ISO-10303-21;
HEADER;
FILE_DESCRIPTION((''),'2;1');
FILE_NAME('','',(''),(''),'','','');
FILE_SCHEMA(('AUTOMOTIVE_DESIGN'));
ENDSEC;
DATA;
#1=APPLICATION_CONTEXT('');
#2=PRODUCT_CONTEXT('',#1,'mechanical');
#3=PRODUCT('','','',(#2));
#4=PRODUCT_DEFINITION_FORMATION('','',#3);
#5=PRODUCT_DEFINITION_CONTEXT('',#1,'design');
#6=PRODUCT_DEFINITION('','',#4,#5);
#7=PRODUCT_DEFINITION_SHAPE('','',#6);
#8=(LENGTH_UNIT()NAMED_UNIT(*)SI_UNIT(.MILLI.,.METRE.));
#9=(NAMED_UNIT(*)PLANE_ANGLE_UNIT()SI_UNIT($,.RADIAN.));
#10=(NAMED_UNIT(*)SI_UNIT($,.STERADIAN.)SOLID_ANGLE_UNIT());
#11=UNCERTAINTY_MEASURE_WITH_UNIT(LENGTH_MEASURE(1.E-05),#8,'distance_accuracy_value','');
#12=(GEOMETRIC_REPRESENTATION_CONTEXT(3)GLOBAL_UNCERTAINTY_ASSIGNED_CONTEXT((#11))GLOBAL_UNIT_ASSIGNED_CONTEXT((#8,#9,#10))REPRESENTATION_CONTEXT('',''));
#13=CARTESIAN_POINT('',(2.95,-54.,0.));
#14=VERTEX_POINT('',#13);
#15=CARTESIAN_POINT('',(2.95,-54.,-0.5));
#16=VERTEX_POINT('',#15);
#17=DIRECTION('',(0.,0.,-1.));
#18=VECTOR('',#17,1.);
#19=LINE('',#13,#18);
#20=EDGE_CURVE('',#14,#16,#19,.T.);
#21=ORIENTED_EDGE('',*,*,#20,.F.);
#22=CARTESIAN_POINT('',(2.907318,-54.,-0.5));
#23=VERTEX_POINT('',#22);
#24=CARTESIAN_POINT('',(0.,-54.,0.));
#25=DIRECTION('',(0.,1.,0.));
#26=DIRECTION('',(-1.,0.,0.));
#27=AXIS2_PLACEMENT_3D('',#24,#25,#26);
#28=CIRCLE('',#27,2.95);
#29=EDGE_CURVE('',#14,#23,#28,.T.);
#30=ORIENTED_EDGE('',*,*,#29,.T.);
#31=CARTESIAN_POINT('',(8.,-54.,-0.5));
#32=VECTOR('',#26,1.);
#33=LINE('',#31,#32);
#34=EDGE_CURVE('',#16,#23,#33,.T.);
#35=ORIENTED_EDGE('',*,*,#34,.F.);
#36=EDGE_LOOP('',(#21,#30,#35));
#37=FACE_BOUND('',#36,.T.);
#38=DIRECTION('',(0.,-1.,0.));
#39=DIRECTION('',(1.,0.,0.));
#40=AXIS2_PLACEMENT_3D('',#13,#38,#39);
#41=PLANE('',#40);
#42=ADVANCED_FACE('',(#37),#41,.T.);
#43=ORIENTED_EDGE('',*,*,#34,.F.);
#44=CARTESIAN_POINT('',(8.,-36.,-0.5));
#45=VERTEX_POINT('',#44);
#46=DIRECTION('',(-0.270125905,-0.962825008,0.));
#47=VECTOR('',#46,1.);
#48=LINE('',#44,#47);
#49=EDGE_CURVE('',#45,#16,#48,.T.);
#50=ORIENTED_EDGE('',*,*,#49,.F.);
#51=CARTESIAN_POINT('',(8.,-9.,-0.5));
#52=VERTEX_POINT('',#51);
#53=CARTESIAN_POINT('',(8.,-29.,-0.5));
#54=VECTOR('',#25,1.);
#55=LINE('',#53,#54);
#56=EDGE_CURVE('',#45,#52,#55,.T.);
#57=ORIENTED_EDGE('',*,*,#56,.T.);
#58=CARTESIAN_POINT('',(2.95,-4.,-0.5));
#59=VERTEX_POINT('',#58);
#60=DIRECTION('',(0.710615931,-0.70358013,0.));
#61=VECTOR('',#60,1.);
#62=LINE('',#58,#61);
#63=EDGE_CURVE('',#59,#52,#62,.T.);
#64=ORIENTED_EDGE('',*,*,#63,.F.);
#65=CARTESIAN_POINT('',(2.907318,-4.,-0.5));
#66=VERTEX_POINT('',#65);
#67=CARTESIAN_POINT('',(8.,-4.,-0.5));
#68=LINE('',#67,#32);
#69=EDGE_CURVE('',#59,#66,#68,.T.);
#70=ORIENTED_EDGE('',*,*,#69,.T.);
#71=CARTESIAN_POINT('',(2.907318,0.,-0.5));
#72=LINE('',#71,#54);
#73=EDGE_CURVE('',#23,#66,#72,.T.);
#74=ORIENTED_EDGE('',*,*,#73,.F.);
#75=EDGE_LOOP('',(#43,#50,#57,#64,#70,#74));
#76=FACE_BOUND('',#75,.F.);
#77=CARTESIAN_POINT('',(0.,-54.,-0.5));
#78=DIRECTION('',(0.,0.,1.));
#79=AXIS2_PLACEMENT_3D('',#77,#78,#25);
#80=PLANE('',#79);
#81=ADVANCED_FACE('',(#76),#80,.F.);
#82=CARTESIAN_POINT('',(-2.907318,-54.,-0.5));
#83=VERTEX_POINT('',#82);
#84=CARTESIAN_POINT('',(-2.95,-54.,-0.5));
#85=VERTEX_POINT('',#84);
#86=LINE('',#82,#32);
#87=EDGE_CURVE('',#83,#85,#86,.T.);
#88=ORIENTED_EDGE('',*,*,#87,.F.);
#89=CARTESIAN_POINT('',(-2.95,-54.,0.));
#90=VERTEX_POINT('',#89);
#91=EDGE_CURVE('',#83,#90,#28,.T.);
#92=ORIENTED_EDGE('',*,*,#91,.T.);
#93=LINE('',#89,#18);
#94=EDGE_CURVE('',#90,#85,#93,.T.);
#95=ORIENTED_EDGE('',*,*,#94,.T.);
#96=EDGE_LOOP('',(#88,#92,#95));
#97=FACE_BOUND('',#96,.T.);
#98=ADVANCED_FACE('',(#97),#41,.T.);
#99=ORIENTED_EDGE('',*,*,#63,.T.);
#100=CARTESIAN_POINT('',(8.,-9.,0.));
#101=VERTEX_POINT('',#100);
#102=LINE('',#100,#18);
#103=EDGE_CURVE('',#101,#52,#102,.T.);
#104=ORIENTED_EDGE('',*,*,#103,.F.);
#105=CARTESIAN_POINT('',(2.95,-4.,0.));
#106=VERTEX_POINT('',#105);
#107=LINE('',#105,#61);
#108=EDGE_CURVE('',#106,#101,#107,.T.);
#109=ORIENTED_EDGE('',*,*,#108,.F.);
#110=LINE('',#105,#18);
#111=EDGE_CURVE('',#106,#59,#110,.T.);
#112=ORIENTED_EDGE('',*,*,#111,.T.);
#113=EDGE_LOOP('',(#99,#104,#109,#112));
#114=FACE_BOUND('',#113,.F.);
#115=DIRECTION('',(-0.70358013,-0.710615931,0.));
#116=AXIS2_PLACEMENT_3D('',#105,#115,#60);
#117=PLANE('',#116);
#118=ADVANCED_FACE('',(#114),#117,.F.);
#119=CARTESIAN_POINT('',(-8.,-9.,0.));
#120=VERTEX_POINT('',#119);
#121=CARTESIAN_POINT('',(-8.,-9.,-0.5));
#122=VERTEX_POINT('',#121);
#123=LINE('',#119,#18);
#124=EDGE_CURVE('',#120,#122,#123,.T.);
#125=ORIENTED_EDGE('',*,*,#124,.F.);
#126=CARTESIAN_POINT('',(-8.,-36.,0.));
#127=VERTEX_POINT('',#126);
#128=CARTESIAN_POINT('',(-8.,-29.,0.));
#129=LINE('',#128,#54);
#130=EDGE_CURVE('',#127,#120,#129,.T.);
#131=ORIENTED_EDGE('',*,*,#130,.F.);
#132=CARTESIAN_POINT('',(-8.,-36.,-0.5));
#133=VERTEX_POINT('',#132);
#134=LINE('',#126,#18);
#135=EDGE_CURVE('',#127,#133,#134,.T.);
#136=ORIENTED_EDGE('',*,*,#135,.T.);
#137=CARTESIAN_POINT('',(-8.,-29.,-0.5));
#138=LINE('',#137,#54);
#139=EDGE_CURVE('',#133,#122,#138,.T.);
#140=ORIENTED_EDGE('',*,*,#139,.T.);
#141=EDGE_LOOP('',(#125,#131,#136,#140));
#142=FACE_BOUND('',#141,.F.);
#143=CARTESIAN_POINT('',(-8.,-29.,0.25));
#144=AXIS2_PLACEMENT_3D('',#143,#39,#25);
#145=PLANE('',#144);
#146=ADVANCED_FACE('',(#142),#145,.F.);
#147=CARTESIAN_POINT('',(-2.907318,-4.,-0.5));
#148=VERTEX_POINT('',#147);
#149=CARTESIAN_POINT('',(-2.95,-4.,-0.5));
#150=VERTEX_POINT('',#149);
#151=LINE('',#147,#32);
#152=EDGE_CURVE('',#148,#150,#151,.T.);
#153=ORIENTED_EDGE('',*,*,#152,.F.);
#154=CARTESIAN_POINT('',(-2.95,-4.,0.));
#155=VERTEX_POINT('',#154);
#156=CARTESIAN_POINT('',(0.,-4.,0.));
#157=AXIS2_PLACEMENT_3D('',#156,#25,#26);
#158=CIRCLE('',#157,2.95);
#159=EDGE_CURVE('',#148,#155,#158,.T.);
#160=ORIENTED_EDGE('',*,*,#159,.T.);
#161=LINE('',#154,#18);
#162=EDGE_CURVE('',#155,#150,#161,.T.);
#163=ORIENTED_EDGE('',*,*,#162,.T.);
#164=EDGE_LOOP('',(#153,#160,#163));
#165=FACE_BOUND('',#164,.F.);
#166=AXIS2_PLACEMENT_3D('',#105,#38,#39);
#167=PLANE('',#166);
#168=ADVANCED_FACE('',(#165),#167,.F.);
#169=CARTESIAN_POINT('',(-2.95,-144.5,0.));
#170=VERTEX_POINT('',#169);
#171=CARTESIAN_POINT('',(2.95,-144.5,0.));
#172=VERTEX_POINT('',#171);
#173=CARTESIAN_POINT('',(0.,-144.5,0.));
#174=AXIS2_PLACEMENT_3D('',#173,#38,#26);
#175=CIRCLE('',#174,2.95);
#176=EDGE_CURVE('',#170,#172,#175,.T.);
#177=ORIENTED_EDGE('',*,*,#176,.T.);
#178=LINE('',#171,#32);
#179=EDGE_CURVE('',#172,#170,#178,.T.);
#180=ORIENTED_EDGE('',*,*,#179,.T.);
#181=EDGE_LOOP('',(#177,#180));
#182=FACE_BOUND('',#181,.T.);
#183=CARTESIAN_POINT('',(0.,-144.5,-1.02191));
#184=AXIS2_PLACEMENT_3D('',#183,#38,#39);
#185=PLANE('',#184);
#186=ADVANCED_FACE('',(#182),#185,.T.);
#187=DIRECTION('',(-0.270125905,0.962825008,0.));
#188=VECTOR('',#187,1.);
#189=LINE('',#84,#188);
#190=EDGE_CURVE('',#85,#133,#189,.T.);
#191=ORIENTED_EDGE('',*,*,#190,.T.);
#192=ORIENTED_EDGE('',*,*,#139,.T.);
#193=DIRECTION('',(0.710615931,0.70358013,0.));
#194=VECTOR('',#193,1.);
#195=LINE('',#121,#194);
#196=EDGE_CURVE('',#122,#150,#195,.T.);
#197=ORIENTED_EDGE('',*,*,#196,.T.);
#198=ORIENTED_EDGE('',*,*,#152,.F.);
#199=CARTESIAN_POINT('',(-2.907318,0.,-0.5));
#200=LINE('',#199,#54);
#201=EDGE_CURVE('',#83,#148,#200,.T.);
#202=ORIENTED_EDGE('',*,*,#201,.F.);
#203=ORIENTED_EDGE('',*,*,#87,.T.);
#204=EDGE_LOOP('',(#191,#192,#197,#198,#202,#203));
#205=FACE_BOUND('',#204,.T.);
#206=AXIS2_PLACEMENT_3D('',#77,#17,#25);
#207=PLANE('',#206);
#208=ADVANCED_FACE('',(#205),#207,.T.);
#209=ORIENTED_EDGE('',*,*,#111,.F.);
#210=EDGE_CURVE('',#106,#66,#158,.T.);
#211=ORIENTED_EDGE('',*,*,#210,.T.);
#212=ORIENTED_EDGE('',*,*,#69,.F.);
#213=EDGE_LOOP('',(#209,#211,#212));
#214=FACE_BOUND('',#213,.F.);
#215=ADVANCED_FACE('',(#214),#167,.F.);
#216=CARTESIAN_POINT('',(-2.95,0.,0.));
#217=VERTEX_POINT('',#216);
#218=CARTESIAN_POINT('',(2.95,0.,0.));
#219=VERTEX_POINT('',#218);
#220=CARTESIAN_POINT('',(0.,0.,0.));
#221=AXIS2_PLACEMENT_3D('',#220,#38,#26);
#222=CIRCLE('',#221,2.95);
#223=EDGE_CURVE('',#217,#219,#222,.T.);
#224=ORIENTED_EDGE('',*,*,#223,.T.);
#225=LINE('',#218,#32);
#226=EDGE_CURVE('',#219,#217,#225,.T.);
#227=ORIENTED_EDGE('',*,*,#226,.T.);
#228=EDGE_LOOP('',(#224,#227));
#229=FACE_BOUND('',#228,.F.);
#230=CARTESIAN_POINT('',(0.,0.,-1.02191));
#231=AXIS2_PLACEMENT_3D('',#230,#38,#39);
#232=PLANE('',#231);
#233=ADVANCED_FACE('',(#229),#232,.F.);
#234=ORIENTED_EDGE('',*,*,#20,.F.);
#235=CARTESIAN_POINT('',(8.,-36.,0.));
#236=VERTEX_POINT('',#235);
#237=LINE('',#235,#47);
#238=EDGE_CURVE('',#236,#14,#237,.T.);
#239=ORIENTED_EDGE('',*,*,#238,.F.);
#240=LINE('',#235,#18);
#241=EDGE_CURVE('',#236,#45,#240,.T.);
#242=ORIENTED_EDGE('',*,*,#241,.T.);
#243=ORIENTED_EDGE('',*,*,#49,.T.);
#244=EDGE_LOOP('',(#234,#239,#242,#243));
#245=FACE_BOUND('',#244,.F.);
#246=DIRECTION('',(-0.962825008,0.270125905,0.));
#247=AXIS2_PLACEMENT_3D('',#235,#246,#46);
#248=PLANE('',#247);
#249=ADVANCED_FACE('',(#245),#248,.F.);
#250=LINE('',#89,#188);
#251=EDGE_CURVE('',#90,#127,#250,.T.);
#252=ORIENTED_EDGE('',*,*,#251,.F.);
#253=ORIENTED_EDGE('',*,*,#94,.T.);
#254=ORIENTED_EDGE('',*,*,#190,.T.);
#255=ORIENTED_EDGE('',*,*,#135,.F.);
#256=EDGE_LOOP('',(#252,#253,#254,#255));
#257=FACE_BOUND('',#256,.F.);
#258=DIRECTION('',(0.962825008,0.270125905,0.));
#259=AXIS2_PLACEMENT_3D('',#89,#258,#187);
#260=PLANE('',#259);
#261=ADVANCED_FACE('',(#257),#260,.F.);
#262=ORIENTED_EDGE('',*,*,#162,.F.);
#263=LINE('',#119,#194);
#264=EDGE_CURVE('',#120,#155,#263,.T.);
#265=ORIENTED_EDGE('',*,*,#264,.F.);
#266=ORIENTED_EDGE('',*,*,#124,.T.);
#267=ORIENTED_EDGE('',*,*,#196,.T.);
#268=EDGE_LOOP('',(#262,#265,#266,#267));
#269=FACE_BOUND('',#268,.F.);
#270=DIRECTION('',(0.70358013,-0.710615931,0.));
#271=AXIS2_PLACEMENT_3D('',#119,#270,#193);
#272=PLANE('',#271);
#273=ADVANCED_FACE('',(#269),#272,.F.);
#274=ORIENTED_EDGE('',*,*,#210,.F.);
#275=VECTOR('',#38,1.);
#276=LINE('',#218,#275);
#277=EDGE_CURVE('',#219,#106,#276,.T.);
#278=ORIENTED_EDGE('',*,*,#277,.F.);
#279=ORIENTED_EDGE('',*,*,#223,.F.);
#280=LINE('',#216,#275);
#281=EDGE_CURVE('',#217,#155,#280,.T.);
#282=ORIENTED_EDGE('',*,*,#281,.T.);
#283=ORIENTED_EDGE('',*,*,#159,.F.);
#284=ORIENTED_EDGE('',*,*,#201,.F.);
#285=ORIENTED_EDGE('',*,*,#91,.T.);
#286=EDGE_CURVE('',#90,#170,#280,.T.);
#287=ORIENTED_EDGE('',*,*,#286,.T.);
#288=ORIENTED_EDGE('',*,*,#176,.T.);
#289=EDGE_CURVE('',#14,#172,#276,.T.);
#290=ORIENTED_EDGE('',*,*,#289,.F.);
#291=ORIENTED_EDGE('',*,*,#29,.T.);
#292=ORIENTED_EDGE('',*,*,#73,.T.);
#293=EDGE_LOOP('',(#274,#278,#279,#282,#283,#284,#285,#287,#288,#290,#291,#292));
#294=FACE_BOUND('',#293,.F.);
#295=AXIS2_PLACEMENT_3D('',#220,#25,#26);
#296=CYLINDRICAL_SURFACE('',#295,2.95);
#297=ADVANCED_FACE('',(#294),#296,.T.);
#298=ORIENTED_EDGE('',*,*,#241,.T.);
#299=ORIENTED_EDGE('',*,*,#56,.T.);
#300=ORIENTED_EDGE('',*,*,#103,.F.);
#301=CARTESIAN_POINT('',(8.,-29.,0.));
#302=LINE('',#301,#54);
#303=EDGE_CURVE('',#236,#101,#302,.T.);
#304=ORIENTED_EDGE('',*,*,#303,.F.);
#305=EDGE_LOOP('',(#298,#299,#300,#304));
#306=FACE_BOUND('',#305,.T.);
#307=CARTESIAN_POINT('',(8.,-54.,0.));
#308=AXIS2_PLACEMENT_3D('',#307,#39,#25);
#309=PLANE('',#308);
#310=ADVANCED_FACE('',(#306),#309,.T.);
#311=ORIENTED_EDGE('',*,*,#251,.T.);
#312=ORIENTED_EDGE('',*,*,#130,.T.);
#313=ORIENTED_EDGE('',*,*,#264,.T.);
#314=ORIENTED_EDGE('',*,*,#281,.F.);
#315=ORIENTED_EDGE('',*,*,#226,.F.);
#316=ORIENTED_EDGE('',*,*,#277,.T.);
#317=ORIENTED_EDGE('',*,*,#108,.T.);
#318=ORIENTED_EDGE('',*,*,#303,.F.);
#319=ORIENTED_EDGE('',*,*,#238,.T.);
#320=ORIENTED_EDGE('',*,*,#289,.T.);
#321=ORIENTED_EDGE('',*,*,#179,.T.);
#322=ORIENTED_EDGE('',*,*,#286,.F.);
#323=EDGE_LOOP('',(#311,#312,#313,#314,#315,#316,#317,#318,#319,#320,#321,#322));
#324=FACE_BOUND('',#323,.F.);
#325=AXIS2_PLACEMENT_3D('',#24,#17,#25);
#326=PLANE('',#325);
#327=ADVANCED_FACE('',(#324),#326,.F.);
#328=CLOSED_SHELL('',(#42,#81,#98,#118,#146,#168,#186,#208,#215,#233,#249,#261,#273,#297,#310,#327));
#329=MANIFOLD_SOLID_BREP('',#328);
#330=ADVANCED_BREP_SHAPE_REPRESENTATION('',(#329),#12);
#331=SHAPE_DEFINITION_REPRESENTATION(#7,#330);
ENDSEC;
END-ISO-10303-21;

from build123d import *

# Parameters (mm, degrees)
F1_DEPTH      = 144.5
F2_W          = 50
F2_H          = 0.5
F3_DEPTH      = 8
F3_DEPTH_BACK = 8
F4_DEPTH      = 0.5
F5_DEPTH      = 6
F6_DEPTH      = 0.5
F8_DEPTH      = 0.5


with BuildPart() as f1:
    # F0 (on Front) → F1 (new body)
    with BuildSketch(Plane.XZ):
        with BuildLine():
            ThreePointArc((-2.95, 0), (0, -2.95), (2.95, 0))
            Line((2.95, 0), (-2.95, 0))
        make_face()
    extrude(amount=F1_DEPTH)

    # F2 (on Right) → F3 (join, two sides)
    with BuildSketch(Plane.YZ) as f3_sk:
        with Locations((-29, 0.25)):
            Rectangle(F2_W, F2_H)
    extrude(amount=F3_DEPTH)
    extrude(f3_sk.sketch, amount=-F3_DEPTH_BACK)

    # F4 (add): faces of the model
    f4_faces = [f1.faces().sort_by_distance(p)[0] for p in [
        (5.475, -29, 0),
        (-5.475, -29, 0),
    ]]
    extrude(f4_faces, amount=F4_DEPTH)

    # F5 (add): a face of the model
    f5_faces = [f1.faces().sort_by_distance(p)[0] for p in [
        (-2.95, -29, -0.25),
    ]]
    extrude(f5_faces, amount=F5_DEPTH)

    # F6 (cut): a face of the model
    f6_faces = [f1.faces().sort_by_distance(p)[0] for p in [
        (0, -29, 0.5),
    ]]
    extrude(f6_faces, amount=-F6_DEPTH, mode=Mode.SUBTRACT)

    # F7 (on face) → F8 (cut)
    with BuildSketch(Plane.XY):
        Polygon((-8, -9), (-2.95, -4), (-8, -4), align=None)
        Polygon((-2.95, -54), (-8, -36), (-8, -54), align=None)
        Polygon((8, -54), (8, -36), (2.95, -54), align=None)
        Polygon((8, -4), (2.95, -4), (8, -9), align=None)
    extrude(amount=-F8_DEPTH, mode=Mode.SUBTRACT)


solid = f1.part
